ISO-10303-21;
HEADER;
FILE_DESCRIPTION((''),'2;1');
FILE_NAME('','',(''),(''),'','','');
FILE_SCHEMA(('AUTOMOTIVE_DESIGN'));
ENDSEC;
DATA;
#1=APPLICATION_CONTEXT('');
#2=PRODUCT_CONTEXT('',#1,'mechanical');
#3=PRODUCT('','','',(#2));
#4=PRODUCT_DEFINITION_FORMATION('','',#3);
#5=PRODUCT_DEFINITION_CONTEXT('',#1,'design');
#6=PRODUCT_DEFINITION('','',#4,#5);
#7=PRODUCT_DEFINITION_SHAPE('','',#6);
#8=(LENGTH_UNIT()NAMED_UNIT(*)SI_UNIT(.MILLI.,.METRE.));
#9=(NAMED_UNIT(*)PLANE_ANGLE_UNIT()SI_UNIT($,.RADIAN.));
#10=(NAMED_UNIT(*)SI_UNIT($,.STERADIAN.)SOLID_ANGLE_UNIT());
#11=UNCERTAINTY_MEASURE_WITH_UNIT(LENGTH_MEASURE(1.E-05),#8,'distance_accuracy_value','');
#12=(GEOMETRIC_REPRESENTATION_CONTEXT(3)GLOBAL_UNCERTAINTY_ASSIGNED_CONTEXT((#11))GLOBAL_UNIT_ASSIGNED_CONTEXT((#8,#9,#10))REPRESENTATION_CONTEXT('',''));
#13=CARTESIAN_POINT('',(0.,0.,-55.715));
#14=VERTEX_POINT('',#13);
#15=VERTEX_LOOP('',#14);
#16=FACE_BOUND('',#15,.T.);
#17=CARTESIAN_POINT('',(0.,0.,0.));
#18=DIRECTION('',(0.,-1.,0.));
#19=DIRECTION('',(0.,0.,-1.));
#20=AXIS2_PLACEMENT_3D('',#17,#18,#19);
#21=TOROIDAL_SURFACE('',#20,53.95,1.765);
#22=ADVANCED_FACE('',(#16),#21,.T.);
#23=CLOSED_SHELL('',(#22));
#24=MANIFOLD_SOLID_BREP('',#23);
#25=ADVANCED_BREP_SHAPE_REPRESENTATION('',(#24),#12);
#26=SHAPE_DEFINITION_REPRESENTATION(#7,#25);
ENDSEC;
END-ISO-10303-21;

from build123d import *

# Parameters (mm, degrees)
ESBO_O1_R = 1.765


with BuildPart() as part:
    # Esboço1 → Revolução1 (revolve)
    with BuildSketch(Plane.XY, mode=Mode.PRIVATE) as revolu_o1_sk:
        with Locations((-53.95, 0)):
            Circle(ESBO_O1_R)
    revolve(revolu_o1_sk.sketch.rotate(Axis((0, 0, 0), (0, 1, 0)), 270), axis=Axis((0, 0, 0), (0, 1, 0)))


solid = part.part
